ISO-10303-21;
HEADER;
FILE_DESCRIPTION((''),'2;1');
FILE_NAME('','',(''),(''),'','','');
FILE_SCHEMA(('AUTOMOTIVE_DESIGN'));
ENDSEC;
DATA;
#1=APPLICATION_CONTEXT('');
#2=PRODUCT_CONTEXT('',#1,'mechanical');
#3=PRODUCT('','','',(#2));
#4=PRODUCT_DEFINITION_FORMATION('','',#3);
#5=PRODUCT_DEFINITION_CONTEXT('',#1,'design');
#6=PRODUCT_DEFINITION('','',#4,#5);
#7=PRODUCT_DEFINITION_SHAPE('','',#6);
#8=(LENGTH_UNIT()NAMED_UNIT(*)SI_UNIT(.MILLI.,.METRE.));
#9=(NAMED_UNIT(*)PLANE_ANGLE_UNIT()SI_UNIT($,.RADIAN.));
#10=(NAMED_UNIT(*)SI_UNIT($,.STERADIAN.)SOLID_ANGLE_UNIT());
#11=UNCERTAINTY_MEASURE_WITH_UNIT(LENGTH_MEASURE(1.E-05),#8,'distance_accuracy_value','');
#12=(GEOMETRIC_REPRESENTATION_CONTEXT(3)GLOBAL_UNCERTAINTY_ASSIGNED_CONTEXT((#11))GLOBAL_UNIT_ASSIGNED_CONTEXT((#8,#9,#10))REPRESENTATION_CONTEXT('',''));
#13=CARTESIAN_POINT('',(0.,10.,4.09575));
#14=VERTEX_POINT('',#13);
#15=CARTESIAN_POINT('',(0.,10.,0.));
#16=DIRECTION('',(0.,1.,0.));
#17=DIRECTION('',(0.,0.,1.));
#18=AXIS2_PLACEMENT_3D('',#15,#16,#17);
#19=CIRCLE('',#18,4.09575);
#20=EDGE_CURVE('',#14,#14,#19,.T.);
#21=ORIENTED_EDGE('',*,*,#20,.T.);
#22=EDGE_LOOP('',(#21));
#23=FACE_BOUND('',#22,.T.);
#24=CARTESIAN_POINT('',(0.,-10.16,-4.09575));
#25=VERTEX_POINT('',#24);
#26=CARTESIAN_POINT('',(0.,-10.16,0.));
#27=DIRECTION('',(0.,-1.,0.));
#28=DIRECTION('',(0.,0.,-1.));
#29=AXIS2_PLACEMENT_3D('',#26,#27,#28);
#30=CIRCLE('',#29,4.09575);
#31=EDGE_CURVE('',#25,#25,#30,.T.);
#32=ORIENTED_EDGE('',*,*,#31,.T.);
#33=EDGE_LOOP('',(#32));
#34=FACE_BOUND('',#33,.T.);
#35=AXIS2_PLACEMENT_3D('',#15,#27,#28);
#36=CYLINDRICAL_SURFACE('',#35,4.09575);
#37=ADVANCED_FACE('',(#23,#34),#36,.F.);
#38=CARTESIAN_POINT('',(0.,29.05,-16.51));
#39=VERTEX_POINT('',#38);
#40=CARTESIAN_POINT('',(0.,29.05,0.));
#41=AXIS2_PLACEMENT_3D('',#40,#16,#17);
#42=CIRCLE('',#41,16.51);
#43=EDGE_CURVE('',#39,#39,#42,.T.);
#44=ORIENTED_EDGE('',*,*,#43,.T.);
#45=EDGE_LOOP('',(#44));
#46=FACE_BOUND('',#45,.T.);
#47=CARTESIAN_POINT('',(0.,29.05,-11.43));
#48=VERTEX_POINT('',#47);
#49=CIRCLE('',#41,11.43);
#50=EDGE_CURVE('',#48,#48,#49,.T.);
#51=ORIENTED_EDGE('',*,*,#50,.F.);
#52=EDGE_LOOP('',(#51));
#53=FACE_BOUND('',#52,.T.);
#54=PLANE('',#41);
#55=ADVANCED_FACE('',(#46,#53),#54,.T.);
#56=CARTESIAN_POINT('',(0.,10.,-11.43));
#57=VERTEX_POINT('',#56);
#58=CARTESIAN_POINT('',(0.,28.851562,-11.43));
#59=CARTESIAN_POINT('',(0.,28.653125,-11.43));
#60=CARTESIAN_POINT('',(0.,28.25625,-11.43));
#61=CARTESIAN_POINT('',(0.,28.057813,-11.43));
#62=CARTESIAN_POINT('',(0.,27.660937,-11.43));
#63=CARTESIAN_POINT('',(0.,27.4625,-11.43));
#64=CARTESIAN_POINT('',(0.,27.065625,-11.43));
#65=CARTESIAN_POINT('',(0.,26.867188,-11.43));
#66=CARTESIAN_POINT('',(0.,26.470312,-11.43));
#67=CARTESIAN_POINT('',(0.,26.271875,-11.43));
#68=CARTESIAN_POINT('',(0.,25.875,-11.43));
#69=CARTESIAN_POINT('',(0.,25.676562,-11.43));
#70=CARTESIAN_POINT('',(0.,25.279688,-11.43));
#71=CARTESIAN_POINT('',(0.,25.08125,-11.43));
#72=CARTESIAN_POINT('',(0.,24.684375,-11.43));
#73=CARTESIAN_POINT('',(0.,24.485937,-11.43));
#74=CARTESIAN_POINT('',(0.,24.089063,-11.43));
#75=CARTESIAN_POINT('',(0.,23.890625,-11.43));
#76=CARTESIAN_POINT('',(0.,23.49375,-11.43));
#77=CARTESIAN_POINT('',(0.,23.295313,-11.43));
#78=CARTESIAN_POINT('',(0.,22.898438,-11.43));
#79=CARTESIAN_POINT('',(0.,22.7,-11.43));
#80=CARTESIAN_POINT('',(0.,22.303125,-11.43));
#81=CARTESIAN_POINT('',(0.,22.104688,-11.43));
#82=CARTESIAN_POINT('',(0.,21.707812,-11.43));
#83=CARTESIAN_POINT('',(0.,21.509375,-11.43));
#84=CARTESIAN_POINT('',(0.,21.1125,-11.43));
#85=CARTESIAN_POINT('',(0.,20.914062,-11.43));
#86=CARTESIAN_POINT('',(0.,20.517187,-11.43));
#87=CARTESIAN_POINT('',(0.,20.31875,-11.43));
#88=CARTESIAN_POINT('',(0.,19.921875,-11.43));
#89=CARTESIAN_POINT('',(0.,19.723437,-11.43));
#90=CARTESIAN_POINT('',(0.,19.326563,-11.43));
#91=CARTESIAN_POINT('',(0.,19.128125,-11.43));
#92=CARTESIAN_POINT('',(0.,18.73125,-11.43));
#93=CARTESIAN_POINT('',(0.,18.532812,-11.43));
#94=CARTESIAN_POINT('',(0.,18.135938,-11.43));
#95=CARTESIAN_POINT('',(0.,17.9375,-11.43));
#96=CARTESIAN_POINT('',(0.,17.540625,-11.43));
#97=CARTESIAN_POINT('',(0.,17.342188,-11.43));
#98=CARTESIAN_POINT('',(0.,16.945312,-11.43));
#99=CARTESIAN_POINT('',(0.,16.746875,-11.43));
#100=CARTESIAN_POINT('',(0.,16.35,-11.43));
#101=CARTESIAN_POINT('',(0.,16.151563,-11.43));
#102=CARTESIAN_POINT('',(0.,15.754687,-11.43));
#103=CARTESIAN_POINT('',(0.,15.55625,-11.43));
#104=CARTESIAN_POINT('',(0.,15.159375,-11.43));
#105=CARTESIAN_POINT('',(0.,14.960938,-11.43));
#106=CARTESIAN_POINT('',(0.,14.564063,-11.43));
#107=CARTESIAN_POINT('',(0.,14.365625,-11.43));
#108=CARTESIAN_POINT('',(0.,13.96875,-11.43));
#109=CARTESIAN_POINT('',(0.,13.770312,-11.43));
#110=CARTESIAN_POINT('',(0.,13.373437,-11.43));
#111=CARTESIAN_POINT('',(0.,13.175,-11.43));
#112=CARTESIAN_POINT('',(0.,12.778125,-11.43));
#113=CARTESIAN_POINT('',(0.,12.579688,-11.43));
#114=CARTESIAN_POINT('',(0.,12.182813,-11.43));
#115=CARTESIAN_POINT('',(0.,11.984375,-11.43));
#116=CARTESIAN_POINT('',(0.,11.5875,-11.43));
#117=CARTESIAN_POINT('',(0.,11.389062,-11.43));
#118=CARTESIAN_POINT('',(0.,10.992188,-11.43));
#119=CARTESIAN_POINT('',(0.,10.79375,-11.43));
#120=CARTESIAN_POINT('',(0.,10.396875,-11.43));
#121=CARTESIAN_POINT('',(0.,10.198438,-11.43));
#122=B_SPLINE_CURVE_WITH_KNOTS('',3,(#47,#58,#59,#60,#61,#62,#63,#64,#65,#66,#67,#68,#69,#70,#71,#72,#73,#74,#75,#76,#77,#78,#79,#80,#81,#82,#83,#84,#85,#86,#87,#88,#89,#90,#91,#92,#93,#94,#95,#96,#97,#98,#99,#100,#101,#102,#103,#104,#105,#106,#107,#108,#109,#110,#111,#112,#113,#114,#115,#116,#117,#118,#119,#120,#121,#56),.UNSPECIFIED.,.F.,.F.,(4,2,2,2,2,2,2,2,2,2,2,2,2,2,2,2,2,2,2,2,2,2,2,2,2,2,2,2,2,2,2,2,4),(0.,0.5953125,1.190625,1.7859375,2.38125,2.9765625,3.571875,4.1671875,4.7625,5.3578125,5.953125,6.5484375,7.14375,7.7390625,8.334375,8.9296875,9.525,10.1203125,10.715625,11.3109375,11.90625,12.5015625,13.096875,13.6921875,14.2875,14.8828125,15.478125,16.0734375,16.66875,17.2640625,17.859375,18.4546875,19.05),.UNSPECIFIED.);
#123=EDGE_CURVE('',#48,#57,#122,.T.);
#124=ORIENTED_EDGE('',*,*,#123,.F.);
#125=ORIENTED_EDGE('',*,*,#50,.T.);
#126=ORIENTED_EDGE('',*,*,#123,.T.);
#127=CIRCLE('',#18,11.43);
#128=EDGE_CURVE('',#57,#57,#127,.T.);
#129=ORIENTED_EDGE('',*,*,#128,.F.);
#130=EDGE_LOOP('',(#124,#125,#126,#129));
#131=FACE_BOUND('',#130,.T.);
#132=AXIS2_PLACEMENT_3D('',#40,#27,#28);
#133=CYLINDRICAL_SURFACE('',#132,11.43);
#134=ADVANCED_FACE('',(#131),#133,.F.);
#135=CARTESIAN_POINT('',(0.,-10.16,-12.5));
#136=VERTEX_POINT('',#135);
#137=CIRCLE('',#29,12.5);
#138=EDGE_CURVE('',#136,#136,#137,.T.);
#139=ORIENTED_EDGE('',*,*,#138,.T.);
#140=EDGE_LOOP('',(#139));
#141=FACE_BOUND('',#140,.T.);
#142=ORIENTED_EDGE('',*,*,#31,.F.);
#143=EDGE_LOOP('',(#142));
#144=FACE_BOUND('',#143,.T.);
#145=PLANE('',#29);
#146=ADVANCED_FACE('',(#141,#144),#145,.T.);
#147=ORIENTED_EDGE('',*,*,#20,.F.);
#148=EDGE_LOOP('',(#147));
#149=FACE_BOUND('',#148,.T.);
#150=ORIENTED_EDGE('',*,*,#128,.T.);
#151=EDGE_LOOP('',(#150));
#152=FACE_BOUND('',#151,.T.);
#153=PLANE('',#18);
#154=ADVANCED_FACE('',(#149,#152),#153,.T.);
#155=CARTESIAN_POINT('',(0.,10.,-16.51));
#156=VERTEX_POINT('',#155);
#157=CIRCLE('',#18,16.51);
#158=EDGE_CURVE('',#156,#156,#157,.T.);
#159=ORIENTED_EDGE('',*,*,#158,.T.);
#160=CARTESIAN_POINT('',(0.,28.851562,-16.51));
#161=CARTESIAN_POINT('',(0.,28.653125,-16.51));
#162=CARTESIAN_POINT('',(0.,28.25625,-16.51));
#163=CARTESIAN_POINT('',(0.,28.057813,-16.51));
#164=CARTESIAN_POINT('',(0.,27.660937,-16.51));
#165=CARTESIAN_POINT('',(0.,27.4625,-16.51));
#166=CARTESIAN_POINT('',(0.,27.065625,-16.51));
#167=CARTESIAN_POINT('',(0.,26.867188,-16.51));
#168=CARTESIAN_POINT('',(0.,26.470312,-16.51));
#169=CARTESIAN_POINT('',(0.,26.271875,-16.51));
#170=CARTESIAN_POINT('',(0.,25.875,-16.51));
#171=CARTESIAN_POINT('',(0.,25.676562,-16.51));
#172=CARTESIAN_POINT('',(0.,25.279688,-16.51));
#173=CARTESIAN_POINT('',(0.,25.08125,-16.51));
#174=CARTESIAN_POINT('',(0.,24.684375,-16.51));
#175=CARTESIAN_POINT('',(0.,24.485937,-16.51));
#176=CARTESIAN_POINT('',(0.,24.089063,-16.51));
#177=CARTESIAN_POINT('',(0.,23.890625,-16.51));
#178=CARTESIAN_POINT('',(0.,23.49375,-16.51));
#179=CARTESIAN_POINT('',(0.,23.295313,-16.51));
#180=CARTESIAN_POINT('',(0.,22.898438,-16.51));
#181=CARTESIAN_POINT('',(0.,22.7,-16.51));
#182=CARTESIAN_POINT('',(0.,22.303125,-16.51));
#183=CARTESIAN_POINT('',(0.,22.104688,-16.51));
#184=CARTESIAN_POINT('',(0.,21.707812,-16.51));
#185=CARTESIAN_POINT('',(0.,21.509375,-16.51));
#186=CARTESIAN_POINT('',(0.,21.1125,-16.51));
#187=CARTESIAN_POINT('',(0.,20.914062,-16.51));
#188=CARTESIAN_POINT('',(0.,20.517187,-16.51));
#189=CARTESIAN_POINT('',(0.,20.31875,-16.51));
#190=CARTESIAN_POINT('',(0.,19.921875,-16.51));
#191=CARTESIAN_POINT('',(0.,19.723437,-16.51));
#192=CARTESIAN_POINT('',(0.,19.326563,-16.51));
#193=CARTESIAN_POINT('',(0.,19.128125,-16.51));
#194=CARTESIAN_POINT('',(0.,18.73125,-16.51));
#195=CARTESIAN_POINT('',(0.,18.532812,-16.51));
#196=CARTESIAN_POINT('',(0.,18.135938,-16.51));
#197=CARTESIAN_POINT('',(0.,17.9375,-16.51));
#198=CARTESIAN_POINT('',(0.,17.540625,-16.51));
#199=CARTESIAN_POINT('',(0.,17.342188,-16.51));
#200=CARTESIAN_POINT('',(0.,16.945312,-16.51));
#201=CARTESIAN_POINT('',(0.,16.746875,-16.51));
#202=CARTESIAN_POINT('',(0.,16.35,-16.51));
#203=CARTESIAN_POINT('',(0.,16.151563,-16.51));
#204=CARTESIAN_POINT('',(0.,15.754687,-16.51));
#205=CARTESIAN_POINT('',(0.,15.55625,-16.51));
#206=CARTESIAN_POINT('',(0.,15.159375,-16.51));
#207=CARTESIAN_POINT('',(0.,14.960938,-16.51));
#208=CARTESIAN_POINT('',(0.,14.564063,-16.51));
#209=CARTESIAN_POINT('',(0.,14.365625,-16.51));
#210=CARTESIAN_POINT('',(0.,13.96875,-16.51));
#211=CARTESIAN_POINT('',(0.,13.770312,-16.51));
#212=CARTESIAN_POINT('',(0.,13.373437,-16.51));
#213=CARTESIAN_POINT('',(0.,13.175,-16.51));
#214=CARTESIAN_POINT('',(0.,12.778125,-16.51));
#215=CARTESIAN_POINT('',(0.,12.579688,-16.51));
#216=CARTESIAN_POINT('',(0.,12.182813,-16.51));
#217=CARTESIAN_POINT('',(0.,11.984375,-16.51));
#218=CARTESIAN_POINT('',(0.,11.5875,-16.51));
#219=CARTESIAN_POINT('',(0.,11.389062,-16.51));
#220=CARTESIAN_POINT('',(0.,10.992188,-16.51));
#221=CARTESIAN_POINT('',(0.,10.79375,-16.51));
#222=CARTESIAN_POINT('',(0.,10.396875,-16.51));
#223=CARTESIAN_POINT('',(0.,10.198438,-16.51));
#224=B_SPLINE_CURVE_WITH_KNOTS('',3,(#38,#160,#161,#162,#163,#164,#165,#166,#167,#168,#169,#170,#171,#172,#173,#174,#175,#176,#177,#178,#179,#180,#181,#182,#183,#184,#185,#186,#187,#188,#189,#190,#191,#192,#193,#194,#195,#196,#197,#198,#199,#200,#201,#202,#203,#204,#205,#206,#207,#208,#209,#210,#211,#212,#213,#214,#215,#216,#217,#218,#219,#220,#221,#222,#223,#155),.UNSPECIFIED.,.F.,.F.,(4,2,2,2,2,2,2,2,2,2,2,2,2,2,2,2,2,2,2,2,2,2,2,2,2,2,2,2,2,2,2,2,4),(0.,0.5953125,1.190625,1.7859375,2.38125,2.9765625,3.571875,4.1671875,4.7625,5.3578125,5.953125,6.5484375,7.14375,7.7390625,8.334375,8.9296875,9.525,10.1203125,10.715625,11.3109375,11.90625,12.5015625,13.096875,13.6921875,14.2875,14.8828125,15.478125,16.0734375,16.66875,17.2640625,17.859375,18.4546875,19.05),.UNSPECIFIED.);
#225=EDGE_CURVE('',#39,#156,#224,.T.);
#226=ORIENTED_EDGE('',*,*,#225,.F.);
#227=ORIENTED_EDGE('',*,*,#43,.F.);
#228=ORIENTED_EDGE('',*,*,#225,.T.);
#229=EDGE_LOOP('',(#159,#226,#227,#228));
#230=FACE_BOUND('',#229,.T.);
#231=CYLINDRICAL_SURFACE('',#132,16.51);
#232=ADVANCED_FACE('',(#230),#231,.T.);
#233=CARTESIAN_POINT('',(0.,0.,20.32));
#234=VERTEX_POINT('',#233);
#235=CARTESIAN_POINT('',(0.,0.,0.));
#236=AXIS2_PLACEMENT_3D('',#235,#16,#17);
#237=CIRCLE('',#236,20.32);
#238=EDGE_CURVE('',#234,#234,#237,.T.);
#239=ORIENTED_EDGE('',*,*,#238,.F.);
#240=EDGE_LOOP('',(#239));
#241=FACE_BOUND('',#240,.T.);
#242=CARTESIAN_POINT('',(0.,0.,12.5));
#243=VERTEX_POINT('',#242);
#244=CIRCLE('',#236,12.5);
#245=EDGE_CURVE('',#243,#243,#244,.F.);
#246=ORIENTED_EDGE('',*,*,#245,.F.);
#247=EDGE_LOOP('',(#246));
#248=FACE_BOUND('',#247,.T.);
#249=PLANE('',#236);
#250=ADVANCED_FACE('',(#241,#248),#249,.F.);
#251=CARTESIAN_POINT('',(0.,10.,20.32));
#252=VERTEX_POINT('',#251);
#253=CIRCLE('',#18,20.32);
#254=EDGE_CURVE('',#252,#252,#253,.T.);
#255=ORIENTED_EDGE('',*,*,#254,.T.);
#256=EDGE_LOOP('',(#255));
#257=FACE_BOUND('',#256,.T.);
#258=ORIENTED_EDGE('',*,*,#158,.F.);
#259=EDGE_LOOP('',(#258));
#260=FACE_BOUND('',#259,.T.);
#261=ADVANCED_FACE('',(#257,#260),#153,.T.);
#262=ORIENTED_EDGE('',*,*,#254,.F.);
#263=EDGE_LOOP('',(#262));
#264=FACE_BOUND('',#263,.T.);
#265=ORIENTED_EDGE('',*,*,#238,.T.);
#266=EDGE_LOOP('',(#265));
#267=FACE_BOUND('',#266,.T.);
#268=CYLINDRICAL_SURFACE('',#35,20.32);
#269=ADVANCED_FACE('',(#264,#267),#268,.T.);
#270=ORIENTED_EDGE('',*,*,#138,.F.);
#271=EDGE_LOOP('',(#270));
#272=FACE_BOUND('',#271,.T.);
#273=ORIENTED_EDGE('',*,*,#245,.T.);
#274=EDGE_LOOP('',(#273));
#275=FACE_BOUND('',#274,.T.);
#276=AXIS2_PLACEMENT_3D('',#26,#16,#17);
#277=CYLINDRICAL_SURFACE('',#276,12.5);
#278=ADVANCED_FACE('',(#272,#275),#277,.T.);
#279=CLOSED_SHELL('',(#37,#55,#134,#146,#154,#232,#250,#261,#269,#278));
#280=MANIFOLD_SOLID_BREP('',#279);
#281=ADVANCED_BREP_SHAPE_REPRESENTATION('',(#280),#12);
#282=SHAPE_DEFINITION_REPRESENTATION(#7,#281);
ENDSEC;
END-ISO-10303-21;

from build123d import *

# Parameters (mm, degrees)
SKETCH1_R           = 20.32
SKETCH1_R_2         = 4.09575
BOSS_EXTRUDE1_DEPTH = 10
SKETCH2_R           = 16.51
SKETCH2_R_2         = 11.43
BOSS_EXTRUDE2_DEPTH = 19.05
BOSS_EXTRUDE3_START = 10.16
SKETCH3_R           = 12.5
SKETCH3_R_2         = 4.09575
BOSS_EXTRUDE3_DEPTH = 10.16


with BuildPart() as part:
    # Sketch1 → Boss-Extrude1 (new body)
    with BuildSketch(Plane(origin=(0, 0, 0), x_dir=(1, 0, 0), z_dir=(0, 1, 0))):
        with Locations(Location((0, 0, 0), (0, 0, 270))):
            Circle(SKETCH1_R)
        with Locations(Location((0, 0, 0), (0, 0, 270))):
            Circle(SKETCH1_R_2, mode=Mode.SUBTRACT)
    extrude(amount=BOSS_EXTRUDE1_DEPTH)

    # Sketch2 → Boss-Extrude2 (add)
    with BuildSketch(Plane(origin=(0, 10, 0), x_dir=(1, 0, 0), z_dir=(0, 1, 0))):
        with Locations(Location((0, 0, 0), (0, 0, 90))):
            Circle(SKETCH2_R)
        with Locations(Location((0, 0, 0), (0, 0, 90))):
            Circle(SKETCH2_R_2, mode=Mode.SUBTRACT)
    extrude(amount=BOSS_EXTRUDE2_DEPTH)

    # Sketch3 → Boss-Extrude3 (add)
    with BuildSketch(Plane(origin=(0, 0, 0), x_dir=(-1, 0, 0), z_dir=(0, -1, 0)).offset(BOSS_EXTRUDE3_START)):
        with Locations(Location((0, 0, 0), (0, 0, 270))):
            Circle(SKETCH3_R)
        with Locations(Location((0, 0, 0), (0, 0, 90))):
            Circle(SKETCH3_R_2, mode=Mode.SUBTRACT)
    extrude(amount=-BOSS_EXTRUDE3_DEPTH)


solid = part.part
